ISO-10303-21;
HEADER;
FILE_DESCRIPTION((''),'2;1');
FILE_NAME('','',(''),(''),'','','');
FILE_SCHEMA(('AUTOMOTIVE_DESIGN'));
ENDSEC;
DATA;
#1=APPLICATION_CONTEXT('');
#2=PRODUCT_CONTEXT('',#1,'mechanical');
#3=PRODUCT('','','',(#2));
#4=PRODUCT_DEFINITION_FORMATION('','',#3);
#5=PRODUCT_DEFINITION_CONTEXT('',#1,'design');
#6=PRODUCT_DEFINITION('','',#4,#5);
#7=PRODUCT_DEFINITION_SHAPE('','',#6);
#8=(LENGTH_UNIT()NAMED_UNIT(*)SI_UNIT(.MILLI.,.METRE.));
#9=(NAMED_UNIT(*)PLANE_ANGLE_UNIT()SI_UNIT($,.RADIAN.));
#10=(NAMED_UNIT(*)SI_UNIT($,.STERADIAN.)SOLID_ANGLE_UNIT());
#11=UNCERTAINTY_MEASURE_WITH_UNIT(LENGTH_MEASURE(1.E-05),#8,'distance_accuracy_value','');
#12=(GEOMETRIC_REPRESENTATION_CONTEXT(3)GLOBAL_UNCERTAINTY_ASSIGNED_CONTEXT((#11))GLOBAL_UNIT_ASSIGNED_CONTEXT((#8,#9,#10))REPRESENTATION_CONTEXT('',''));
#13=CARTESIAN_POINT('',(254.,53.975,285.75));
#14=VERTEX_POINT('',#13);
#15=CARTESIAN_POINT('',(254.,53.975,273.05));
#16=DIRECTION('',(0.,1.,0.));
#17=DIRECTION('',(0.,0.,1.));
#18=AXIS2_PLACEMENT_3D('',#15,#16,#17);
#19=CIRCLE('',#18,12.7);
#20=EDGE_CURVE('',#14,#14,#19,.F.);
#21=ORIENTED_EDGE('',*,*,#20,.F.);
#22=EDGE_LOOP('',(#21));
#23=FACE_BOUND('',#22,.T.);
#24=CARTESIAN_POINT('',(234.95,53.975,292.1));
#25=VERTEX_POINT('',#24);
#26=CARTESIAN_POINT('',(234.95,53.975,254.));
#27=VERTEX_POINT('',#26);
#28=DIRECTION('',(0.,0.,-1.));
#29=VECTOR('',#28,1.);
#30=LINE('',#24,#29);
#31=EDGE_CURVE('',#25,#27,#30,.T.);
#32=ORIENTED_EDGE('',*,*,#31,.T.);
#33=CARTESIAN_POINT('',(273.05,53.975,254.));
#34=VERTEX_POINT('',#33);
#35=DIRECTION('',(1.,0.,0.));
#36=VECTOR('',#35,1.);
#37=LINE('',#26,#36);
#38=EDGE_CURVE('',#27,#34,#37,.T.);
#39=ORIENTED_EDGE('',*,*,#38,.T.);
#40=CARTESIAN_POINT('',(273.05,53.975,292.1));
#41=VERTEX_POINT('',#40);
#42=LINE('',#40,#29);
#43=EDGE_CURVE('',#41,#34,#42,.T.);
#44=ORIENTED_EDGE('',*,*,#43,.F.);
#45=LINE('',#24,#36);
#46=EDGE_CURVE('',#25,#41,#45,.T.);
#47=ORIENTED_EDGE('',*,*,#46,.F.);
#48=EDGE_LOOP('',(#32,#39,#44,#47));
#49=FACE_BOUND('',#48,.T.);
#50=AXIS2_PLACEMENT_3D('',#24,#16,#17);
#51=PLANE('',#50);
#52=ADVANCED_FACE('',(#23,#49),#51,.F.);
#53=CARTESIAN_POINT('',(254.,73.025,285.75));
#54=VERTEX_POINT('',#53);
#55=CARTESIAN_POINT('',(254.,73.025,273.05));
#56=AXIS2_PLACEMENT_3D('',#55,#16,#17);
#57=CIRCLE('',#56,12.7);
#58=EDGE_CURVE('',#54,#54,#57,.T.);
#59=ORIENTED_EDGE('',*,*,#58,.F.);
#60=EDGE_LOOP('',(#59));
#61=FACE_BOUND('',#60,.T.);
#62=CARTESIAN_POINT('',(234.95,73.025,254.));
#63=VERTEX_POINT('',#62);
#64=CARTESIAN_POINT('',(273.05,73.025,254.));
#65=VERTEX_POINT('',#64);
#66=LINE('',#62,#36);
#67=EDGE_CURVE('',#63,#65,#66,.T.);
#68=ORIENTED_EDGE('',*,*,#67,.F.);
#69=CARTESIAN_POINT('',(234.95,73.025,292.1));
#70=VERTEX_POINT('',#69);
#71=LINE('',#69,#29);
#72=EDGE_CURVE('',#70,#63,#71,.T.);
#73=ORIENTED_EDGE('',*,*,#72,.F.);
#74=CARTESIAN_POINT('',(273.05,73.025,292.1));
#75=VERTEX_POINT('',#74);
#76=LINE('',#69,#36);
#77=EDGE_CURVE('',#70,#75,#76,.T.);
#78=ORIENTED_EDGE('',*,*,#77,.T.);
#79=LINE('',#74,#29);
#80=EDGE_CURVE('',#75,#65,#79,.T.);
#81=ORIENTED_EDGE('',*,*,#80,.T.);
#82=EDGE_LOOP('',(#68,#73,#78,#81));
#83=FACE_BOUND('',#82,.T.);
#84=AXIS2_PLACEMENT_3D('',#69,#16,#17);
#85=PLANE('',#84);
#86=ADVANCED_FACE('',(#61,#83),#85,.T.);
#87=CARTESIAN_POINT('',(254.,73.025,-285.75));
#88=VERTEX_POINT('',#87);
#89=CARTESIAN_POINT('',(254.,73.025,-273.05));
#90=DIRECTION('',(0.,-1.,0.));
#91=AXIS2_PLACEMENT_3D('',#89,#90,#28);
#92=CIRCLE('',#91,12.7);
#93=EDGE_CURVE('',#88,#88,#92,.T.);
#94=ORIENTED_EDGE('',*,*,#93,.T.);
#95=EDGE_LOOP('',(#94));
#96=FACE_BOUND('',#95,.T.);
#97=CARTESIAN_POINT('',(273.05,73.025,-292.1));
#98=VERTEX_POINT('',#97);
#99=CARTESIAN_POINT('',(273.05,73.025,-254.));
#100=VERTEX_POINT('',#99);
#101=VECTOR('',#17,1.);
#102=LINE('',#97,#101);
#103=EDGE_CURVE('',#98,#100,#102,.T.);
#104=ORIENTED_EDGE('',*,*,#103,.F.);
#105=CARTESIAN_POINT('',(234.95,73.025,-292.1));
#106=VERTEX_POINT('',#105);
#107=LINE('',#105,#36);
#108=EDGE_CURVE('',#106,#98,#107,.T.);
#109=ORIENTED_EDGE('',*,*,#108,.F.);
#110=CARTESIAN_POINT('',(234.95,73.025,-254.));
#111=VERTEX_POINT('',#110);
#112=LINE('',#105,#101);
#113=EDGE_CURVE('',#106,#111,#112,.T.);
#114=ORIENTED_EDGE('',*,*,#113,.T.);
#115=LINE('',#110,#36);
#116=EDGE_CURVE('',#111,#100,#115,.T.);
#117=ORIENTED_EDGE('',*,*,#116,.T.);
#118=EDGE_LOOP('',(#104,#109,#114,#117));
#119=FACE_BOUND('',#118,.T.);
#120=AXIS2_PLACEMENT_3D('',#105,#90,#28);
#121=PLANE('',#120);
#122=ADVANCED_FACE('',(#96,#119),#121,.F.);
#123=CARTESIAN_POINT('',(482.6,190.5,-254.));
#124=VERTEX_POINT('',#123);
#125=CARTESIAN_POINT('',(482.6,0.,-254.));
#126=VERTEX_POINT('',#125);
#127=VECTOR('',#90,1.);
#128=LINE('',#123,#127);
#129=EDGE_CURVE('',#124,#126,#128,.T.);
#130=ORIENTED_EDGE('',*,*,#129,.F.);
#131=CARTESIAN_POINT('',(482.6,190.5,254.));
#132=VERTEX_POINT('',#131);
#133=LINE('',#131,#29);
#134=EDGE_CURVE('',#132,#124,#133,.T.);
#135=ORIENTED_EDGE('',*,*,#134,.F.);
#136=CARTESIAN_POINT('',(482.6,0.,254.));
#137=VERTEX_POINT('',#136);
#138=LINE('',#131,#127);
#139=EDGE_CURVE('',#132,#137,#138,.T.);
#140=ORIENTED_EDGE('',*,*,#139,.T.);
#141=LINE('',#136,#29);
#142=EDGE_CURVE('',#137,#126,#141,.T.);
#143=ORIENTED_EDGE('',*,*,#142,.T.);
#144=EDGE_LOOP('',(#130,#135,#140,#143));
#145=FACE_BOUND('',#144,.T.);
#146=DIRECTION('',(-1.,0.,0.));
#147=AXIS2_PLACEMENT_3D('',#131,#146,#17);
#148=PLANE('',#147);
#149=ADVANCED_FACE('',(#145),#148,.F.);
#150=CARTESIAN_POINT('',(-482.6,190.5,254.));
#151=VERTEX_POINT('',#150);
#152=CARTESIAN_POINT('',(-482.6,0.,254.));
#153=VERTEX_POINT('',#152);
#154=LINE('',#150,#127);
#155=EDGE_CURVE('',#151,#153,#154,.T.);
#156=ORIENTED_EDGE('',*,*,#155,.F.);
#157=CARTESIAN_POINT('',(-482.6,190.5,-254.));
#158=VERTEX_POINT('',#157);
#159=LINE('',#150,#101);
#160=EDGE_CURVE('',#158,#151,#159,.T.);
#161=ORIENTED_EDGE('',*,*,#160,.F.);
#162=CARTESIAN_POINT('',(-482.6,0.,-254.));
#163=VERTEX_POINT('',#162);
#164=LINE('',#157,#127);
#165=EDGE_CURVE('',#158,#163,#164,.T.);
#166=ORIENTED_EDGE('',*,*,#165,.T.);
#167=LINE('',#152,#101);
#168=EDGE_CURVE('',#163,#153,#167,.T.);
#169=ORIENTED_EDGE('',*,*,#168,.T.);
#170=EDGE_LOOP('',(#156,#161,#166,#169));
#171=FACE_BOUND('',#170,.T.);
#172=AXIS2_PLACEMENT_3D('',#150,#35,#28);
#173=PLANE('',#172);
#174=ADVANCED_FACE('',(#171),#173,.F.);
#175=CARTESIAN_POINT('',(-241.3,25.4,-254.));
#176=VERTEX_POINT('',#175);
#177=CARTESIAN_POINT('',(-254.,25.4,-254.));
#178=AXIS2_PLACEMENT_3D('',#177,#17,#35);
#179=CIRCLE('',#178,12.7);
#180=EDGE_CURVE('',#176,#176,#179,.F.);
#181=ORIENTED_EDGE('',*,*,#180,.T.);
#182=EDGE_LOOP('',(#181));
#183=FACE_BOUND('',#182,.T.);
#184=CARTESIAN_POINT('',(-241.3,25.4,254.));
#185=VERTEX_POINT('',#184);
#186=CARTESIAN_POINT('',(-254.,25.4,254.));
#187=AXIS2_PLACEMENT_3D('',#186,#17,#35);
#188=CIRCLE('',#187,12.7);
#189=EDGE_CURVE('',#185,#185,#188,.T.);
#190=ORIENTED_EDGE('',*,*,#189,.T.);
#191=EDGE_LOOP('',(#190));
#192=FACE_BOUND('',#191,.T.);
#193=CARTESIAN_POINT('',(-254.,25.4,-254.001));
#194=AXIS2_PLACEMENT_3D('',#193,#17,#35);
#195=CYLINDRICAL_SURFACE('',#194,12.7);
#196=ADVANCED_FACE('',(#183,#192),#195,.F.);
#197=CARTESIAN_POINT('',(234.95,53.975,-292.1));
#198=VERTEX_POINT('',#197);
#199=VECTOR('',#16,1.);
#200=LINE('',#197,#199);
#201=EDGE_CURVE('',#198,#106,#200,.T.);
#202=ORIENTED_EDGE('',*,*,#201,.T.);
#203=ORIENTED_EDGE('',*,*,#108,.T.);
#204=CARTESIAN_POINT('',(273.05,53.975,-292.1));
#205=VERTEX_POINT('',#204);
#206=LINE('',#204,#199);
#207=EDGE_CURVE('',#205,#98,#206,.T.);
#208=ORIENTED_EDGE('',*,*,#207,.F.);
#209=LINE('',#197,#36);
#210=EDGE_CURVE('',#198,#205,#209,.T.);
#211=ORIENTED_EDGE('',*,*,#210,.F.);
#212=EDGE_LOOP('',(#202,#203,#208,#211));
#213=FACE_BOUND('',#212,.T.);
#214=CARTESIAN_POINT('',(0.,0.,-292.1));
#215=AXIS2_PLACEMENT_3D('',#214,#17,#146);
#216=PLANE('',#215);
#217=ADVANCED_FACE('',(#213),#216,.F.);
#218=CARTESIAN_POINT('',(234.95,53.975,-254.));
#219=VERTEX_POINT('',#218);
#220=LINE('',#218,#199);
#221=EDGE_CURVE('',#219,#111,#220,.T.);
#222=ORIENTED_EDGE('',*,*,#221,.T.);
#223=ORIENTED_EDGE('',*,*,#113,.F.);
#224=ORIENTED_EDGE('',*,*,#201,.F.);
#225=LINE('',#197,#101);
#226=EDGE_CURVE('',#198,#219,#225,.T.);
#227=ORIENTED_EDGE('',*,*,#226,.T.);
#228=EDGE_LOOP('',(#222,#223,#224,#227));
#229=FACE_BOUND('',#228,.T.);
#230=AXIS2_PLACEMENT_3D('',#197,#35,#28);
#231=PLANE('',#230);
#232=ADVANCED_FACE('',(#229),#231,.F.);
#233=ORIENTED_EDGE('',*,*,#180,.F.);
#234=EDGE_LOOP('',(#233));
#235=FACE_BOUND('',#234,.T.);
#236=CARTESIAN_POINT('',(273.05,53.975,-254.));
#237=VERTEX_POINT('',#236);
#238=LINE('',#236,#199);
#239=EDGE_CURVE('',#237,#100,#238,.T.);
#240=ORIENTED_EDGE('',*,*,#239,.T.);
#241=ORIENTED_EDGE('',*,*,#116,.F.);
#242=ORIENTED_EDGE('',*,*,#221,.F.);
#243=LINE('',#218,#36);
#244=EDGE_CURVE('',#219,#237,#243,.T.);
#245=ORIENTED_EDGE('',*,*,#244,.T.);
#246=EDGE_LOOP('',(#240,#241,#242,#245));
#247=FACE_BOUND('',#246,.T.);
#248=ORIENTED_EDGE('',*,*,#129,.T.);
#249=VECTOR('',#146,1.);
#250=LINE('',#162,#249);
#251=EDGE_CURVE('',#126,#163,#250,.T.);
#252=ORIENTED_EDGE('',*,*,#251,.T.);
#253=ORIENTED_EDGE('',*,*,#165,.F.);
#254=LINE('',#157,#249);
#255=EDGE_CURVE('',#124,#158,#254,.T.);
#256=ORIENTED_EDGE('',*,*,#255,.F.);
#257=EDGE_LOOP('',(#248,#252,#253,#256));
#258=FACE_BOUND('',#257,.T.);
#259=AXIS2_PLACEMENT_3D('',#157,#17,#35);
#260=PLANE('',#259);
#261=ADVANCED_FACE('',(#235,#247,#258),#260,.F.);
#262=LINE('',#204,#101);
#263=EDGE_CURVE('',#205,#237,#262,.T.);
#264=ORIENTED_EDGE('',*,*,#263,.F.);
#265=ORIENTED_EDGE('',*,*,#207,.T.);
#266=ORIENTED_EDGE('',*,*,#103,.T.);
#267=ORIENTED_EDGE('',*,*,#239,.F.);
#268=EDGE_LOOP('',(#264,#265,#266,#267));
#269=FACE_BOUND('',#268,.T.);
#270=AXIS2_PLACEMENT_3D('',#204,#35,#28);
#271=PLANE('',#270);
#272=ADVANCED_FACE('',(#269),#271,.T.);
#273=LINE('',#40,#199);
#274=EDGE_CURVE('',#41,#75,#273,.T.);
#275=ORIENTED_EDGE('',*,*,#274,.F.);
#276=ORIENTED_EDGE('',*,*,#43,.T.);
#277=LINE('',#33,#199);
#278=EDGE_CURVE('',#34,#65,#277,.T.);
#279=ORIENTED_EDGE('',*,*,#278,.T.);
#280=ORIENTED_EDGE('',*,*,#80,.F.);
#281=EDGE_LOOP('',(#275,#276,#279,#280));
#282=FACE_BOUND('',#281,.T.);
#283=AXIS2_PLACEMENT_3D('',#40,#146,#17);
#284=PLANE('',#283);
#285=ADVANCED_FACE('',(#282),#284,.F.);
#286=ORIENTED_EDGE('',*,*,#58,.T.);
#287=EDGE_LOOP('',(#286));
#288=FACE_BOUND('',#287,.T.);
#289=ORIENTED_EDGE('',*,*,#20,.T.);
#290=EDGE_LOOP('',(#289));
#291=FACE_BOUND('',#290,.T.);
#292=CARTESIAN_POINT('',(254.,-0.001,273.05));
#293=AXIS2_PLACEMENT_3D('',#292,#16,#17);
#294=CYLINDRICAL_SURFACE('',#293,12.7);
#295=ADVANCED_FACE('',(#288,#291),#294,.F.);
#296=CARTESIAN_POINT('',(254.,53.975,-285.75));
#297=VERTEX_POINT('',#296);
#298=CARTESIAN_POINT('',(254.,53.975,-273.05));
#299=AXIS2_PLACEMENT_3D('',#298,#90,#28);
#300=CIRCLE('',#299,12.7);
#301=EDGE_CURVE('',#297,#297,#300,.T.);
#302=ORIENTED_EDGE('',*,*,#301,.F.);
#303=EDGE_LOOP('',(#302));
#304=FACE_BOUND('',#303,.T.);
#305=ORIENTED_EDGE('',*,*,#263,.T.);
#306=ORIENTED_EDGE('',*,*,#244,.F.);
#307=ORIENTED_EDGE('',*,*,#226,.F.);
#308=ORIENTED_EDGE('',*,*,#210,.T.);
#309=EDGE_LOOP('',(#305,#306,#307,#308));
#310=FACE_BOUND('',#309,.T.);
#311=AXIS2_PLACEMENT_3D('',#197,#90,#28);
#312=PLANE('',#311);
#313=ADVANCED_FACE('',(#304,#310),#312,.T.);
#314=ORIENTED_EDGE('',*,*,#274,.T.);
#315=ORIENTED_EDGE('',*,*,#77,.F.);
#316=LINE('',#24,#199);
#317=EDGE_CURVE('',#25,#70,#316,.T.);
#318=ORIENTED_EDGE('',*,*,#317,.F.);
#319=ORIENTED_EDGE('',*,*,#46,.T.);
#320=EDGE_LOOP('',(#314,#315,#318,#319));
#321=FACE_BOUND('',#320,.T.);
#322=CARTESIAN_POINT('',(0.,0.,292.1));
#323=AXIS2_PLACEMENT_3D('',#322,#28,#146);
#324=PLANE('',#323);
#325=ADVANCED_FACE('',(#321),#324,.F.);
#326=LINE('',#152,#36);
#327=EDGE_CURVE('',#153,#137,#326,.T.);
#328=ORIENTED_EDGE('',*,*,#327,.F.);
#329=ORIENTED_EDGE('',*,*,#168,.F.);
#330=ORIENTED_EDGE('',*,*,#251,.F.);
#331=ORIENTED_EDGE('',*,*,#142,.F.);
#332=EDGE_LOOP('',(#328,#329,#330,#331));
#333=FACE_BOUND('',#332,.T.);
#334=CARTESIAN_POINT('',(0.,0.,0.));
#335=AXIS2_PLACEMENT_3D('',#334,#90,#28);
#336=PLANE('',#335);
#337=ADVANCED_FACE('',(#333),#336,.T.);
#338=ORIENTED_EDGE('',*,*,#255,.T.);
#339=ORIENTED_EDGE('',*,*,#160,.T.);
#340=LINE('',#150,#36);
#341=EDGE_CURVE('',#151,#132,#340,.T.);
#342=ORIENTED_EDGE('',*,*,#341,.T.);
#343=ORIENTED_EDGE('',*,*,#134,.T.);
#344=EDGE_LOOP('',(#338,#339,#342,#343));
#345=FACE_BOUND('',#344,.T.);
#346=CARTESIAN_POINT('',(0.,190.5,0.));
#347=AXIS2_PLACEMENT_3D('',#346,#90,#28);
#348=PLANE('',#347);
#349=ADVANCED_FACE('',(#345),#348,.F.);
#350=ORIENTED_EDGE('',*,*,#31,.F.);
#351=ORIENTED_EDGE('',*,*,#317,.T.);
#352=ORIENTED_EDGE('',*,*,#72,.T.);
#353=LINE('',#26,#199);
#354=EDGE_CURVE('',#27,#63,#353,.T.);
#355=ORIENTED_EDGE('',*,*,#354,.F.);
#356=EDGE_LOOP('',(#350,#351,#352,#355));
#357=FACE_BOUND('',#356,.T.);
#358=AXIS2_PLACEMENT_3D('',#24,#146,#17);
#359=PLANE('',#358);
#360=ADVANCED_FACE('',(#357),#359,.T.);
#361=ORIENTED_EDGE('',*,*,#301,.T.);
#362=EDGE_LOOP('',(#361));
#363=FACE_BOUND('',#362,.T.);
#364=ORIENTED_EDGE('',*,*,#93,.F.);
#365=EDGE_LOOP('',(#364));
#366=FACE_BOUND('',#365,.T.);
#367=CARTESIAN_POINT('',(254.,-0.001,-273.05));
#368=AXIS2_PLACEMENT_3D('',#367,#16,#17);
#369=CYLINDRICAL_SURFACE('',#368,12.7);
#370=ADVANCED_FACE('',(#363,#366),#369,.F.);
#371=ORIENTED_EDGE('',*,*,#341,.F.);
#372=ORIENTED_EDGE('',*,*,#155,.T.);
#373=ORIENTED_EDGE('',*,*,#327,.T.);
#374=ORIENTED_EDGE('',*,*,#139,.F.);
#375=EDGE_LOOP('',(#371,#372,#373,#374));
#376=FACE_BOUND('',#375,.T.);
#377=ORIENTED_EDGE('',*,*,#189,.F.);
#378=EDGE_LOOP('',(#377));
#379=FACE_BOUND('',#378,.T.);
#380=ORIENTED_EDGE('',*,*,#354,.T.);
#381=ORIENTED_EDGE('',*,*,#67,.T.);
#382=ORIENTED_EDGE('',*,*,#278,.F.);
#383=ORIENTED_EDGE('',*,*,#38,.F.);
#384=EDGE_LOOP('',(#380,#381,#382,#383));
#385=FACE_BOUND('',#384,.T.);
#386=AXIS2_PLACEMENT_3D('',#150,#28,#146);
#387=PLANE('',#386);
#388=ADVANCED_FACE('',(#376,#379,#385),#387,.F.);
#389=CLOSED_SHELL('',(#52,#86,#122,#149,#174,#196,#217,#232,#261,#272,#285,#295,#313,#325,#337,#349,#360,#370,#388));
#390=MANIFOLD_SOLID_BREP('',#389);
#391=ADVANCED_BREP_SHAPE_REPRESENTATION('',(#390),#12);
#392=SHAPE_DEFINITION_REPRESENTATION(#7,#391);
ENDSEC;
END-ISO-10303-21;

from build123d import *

# Parameters (mm, degrees)
SKETCH1_W           = 965.2
SKETCH1_H           = 508
BOSS_EXTRUDE1_DEPTH = 190.5
SKETCH2_W           = 38.1
SKETCH2_H           = 19.05
BOSS_EXTRUDE3_DEPTH = 38.1
CUT_EXTRUDE1_REACH  = 578.217
SKETCH3_R           = 12.7
CUT_EXTRUDE2_REACH  = 728.125
SKETCH2_4_R         = 12.7


with BuildPart() as part:
    # Sketch1 → Boss-Extrude1 (new body)
    with BuildSketch(Plane(origin=(0, 0, 0), x_dir=(1, 0, 0), z_dir=(0, 1, 0))):
        Rectangle(SKETCH1_W, SKETCH1_H)
    extrude(amount=BOSS_EXTRUDE1_DEPTH)

    # Sketch2 → Boss-Extrude3 (add)
    with BuildSketch(Plane.XY.offset(254)):
        with Locations((254, 63.5)):
            Rectangle(SKETCH2_W, SKETCH2_H)
    boss_extrude3 = extrude(amount=BOSS_EXTRUDE3_DEPTH)

    # Sketch3 → Cut-Extrude1 (cut, up to next)
    with BuildSketch(Plane(origin=(0, 73.025, 0), x_dir=(1, 0, 0), z_dir=(0, 1, 0)), mode=Mode.PRIVATE) as cut_extrude1_sk1:
        with Locations((254, -273.05)):
            Circle(SKETCH3_R)
    cut_extrude1_tool1 = extrude(cut_extrude1_sk1.sketch, amount=-CUT_EXTRUDE1_REACH, mode=Mode.PRIVATE) & part.part
    cut_extrude1 = cut_extrude1_tool1.solids().sort_by_distance((254, 73.025, 273.05))[0]
    add(cut_extrude1, mode=Mode.SUBTRACT)

    # Sketch2<4> → Cut-Extrude2 (cut, up to next)
    with BuildSketch(Plane.XY.offset(254), mode=Mode.PRIVATE) as cut_extrude2_sk1:
        with Locations((-254, 25.4)):
            Circle(SKETCH2_4_R)
    cut_extrude2_tool1 = extrude(cut_extrude2_sk1.sketch, amount=-CUT_EXTRUDE2_REACH, mode=Mode.PRIVATE) & part.part
    add(cut_extrude2_tool1.solids().sort_by_distance((-254, 25.4, 254))[0], mode=Mode.SUBTRACT)

    # Mirror2: Boss-Extrude3, Cut-Extrude1 across plane
    add(boss_extrude3.mirror(Plane.XY))
    add(cut_extrude1.mirror(Plane.XY), mode=Mode.SUBTRACT)


solid = part.part
